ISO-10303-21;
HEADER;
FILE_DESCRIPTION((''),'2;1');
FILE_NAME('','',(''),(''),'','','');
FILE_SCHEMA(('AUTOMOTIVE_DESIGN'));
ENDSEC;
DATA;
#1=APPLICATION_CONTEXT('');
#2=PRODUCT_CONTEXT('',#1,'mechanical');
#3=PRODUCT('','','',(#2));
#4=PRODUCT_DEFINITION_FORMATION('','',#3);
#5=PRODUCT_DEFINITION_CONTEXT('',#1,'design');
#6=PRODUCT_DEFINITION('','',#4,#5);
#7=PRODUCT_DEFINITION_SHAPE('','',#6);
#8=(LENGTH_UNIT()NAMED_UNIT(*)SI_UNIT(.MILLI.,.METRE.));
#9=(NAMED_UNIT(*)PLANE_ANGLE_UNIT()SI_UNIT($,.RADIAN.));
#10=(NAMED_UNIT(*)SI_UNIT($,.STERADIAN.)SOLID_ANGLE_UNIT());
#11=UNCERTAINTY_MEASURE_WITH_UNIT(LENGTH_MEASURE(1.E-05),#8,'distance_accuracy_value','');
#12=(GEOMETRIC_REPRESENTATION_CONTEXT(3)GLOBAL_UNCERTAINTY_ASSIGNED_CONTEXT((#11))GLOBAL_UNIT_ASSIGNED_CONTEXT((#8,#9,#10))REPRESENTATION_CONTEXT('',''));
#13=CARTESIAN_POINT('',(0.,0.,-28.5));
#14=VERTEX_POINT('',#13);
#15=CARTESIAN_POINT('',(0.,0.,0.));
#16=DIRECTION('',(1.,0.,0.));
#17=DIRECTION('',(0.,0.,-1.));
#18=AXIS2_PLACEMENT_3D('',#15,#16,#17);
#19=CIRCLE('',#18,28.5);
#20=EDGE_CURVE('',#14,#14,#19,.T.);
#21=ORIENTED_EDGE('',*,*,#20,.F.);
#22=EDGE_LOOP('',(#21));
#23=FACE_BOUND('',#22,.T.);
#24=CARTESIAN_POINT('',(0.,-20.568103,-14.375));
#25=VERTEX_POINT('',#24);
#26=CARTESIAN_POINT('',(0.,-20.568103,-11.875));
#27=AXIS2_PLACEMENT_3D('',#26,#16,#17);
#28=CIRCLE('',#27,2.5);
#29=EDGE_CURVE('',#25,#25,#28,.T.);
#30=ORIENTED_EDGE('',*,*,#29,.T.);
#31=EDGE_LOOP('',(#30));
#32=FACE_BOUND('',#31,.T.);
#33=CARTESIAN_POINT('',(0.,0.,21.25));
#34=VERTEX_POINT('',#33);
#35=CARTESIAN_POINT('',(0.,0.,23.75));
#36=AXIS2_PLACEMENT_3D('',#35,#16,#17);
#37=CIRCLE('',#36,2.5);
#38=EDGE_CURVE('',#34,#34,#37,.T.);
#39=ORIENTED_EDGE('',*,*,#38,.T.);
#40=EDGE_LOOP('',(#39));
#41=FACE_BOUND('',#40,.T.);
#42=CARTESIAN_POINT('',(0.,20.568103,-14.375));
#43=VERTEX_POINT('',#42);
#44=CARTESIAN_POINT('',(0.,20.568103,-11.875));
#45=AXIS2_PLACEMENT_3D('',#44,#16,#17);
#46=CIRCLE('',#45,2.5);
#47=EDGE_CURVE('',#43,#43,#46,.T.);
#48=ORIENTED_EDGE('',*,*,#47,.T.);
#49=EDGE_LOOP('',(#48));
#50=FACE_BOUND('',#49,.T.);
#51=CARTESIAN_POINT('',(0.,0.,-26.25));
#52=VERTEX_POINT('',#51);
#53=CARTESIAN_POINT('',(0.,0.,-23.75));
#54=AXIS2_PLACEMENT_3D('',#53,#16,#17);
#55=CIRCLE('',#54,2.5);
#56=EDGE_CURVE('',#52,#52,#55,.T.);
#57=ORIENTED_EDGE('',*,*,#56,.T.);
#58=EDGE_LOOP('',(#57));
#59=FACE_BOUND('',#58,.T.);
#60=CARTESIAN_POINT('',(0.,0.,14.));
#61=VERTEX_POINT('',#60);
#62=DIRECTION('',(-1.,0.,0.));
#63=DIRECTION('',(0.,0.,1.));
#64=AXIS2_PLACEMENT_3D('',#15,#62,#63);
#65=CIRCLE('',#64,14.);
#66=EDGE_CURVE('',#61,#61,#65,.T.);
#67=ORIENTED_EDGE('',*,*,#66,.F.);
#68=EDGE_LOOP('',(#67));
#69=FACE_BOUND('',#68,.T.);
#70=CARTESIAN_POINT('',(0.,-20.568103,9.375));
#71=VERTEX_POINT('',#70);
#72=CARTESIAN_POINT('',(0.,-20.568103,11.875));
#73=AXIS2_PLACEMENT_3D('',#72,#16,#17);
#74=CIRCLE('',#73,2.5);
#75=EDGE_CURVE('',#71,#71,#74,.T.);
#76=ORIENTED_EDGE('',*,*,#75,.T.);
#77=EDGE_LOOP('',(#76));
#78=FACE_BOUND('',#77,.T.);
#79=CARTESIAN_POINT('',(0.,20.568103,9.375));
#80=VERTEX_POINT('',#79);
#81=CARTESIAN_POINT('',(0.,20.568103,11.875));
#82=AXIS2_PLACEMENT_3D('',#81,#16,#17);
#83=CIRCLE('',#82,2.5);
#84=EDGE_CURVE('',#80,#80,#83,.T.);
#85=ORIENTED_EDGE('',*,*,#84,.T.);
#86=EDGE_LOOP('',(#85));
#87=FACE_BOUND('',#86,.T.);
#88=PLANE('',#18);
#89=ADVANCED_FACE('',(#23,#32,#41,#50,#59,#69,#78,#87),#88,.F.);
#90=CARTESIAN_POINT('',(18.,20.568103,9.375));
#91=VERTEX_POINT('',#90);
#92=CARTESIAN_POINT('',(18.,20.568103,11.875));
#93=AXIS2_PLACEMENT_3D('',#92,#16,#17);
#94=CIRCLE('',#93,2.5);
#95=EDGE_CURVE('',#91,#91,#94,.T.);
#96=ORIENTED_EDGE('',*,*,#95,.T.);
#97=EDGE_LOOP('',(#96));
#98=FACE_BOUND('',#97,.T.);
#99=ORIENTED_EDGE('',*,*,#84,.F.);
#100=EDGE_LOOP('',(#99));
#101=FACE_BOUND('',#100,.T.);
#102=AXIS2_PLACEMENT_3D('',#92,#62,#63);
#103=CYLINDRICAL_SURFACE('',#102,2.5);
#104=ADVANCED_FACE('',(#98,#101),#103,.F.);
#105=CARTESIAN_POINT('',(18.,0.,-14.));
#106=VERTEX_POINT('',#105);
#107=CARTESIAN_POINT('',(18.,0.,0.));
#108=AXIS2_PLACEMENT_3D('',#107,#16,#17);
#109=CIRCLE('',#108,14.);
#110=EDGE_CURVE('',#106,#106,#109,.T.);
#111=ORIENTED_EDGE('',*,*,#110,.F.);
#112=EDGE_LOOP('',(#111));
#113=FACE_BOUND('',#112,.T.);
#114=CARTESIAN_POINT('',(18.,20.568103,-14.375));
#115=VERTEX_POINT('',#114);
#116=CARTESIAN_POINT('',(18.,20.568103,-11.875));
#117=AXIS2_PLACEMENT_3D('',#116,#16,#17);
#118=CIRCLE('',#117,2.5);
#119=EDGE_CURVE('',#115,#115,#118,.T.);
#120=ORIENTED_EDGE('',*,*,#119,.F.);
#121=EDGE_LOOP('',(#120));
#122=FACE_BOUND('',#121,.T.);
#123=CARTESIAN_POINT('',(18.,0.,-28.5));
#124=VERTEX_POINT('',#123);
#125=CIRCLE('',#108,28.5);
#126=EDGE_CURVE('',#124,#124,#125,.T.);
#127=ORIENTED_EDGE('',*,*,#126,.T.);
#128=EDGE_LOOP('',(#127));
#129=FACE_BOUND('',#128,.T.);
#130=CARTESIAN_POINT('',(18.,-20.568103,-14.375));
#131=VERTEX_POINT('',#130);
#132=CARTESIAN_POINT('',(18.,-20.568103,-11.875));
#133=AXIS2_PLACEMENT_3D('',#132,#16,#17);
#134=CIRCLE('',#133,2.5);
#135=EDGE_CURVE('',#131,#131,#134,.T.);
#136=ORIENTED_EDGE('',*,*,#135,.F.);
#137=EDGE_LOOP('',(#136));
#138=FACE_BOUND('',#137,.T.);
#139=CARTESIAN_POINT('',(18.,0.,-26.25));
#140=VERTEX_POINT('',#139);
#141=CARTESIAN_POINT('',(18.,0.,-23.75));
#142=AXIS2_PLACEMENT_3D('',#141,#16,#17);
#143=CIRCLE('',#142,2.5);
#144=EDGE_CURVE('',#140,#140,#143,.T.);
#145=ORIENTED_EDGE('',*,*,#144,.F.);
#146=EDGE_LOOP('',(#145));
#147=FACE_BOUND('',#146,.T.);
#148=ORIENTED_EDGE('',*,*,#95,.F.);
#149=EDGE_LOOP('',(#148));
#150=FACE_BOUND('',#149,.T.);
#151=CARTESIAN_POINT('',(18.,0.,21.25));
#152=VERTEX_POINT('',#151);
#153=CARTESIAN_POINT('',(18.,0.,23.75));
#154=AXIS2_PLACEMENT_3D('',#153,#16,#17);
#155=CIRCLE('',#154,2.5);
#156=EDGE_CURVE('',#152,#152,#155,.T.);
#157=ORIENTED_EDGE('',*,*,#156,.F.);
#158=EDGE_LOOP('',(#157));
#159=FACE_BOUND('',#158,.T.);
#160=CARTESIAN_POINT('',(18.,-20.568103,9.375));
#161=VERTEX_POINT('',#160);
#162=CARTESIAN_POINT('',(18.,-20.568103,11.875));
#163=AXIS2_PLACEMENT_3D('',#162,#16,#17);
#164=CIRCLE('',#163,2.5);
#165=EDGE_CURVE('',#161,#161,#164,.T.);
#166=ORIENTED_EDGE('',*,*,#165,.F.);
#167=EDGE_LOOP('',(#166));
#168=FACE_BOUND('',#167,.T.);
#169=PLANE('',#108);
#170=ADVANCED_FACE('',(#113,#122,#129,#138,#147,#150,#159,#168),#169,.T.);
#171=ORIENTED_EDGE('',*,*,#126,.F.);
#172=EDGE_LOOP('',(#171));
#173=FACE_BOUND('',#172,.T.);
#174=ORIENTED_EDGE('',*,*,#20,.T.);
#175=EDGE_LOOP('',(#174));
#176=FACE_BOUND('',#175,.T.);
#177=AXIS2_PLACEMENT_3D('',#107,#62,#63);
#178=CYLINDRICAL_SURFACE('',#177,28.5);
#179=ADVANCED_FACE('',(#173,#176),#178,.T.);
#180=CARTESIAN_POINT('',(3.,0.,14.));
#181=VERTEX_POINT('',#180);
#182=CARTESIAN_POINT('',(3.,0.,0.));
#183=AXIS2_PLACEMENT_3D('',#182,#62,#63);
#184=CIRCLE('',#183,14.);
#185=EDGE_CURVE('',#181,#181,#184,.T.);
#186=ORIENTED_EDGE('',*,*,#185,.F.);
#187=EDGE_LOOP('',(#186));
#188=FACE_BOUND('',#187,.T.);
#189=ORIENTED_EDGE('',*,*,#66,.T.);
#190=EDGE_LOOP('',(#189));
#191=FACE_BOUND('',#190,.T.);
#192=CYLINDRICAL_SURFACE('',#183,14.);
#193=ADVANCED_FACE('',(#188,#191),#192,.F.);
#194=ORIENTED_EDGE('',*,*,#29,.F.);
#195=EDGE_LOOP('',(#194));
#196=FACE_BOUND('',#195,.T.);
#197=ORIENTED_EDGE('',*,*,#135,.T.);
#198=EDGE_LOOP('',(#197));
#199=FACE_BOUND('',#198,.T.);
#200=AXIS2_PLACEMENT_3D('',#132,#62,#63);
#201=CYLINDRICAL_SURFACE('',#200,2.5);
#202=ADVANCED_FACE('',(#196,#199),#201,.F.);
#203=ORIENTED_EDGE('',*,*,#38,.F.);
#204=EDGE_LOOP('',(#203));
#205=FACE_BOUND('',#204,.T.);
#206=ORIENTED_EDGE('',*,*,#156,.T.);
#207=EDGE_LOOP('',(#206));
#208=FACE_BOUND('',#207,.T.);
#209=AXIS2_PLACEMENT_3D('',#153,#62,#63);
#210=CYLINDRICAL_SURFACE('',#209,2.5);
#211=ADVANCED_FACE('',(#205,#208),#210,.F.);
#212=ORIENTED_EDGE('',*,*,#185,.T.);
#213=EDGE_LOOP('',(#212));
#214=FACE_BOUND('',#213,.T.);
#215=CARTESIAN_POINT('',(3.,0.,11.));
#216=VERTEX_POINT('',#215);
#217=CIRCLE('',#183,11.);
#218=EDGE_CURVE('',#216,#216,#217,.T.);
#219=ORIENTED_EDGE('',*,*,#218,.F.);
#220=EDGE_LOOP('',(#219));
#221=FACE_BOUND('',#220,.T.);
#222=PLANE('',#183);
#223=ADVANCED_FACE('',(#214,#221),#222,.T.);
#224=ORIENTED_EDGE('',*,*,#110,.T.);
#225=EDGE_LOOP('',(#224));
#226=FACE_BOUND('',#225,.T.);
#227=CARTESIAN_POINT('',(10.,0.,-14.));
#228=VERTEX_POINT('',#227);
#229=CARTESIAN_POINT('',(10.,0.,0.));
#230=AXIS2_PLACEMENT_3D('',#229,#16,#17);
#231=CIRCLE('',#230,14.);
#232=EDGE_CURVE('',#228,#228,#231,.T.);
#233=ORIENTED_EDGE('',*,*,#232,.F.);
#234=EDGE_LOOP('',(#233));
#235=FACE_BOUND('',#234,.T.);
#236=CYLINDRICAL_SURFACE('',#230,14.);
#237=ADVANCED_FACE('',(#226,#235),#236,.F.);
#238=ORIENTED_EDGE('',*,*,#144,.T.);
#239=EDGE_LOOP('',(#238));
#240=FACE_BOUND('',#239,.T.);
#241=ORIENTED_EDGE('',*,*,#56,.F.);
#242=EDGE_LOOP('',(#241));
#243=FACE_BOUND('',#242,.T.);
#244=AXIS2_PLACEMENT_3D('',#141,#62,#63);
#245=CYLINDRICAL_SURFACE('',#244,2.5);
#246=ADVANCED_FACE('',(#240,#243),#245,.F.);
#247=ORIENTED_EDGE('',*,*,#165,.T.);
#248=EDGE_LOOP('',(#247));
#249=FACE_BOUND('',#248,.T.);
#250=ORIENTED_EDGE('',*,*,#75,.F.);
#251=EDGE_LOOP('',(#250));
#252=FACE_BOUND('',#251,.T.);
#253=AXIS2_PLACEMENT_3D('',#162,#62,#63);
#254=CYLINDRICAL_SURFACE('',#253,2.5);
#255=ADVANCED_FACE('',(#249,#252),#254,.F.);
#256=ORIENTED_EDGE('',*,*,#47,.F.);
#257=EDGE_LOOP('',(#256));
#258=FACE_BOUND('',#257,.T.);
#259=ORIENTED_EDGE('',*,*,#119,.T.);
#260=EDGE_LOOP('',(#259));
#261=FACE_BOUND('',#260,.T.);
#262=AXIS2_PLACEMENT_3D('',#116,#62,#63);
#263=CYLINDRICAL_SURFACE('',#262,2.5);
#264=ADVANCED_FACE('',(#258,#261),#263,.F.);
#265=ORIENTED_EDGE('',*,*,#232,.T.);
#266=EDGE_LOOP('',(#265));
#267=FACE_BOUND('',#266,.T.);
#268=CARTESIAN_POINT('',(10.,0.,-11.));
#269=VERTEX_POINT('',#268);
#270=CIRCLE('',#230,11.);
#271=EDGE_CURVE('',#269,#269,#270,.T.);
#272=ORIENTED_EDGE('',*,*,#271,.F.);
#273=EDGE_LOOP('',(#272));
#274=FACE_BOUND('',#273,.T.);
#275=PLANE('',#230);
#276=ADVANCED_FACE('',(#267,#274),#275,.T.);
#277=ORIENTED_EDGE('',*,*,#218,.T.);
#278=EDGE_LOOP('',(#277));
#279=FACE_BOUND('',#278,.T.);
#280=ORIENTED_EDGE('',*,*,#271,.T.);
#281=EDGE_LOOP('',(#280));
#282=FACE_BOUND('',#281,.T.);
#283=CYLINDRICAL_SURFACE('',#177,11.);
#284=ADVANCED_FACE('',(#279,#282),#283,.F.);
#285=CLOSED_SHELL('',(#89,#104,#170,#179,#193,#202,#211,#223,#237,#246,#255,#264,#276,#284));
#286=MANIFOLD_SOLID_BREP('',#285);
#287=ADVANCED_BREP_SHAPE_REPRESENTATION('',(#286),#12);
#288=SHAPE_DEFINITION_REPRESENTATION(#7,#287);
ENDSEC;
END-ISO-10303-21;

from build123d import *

# Parameters (mm, degrees)
SKETCH1_R           = 28.5
SKETCH1_R_2         = 11
SKETCH1_R_3         = 2.5
BOSS_EXTRUDE1_DEPTH = 18
CUT_EXTRUDE1_START  = -8
SKETCH2_R           = 14
SKETCH2_R_2         = 11
CUT_EXTRUDE1_DEPTH  = 8
SKETCH3_R           = 14
SKETCH3_R_2         = 11
CUT_EXTRUDE2_DEPTH  = 3


with BuildPart() as part:
    # Sketch1 → Boss-Extrude1 (new body)
    with BuildSketch(Plane(origin=(0, 0, 0), x_dir=(0, 0, -1), z_dir=(1, 0, 0))):
        Circle(SKETCH1_R)
        Circle(SKETCH1_R_2, mode=Mode.SUBTRACT)
        with Locations((-23.75, 0)):
            Circle(SKETCH1_R_3, mode=Mode.SUBTRACT)
        with Locations((-11.875, 20.56810334)):
            Circle(SKETCH1_R_3, mode=Mode.SUBTRACT)
        with Locations((11.875, 20.56810334)):
            Circle(SKETCH1_R_3, mode=Mode.SUBTRACT)
        with Locations((23.75, 0)):
            Circle(SKETCH1_R_3, mode=Mode.SUBTRACT)
        with Locations((11.875, -20.56810334)):
            Circle(SKETCH1_R_3, mode=Mode.SUBTRACT)
        with Locations((-11.875, -20.56810334)):
            Circle(SKETCH1_R_3, mode=Mode.SUBTRACT)
    extrude(amount=BOSS_EXTRUDE1_DEPTH)

    # Sketch2 → Cut-Extrude1 (cut)
    with BuildSketch(Plane(origin=(18, 0, 0), x_dir=(0, 0, -1), z_dir=(1, 0, 0)).offset(CUT_EXTRUDE1_START)):
        Circle(SKETCH2_R)
        Circle(SKETCH2_R_2, mode=Mode.SUBTRACT)
    extrude(amount=CUT_EXTRUDE1_DEPTH, mode=Mode.SUBTRACT)

    # Sketch3 → Cut-Extrude2 (cut)
    with BuildSketch(Plane.ZY):
        with Locations(Location((0, 0, 0), (0, 0, 180))):
            Circle(SKETCH3_R)
        Circle(SKETCH3_R_2, mode=Mode.SUBTRACT)
    extrude(amount=-CUT_EXTRUDE2_DEPTH, mode=Mode.SUBTRACT)


solid = part.part
